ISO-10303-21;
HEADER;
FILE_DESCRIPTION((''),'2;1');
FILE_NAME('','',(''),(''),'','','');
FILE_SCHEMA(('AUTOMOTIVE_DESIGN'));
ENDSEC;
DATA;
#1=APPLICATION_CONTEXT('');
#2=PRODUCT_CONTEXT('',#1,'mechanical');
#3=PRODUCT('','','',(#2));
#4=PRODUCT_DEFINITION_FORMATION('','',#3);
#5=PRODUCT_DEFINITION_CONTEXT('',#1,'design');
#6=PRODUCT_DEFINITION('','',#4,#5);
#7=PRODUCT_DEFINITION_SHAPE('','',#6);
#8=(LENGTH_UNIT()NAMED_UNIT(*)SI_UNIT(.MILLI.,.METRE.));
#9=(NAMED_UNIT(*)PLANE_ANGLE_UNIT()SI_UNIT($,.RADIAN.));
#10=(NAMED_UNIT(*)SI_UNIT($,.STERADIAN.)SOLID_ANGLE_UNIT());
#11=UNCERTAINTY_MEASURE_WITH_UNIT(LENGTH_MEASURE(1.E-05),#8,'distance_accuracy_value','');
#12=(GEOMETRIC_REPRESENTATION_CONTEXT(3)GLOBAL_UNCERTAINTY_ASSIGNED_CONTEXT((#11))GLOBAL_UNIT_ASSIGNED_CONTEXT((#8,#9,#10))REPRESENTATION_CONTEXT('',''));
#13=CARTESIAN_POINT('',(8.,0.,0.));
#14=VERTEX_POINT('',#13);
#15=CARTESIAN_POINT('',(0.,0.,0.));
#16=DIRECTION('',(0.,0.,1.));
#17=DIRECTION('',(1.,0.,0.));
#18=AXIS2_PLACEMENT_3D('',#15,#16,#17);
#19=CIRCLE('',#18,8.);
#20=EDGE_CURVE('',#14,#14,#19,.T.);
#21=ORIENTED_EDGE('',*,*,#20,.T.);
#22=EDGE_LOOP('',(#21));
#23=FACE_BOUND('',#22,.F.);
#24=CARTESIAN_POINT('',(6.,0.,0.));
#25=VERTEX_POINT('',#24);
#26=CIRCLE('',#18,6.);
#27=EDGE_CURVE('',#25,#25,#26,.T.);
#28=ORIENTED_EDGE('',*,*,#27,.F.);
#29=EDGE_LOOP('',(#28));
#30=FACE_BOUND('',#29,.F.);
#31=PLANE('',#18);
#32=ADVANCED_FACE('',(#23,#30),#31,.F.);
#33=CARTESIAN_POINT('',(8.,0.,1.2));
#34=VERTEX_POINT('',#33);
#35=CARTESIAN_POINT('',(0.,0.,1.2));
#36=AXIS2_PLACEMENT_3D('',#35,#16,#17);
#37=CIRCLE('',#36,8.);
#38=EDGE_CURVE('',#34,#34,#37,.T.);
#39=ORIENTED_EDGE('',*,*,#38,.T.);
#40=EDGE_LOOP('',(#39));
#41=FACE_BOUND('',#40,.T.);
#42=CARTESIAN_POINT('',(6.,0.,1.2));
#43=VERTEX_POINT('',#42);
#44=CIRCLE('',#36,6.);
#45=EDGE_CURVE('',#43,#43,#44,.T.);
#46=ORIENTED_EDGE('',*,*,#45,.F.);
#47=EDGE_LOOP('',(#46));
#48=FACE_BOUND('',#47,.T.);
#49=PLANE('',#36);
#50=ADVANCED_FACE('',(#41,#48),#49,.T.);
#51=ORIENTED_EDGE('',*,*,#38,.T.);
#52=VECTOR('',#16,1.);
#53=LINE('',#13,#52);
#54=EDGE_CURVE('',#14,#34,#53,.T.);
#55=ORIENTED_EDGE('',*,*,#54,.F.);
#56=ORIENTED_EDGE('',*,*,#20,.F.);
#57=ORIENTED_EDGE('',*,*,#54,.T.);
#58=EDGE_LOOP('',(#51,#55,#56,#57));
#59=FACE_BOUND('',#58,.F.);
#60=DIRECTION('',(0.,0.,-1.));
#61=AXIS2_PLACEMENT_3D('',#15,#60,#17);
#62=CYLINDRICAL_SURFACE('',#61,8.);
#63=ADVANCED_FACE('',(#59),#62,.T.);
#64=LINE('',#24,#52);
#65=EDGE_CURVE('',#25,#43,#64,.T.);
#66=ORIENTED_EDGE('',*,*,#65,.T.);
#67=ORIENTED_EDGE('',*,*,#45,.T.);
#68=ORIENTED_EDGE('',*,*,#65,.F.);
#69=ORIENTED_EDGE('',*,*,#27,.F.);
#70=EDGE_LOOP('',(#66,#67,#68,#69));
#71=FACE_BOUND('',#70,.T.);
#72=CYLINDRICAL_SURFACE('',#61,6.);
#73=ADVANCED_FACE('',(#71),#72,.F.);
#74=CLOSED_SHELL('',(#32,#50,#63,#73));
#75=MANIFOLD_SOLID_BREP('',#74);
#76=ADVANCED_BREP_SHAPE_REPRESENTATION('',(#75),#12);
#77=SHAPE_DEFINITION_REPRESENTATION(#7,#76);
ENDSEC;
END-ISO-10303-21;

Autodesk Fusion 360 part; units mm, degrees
sketch "Sketch1" plane through (0, 0, 0) normal (0, 0, 1) x (1, 0, 0)
  circle A0 centre (0, 0) radius 8
  circle A1 centre (0, 0) radius 6
  dimension "d1" = 16
  dimension "d2" = 12
extrude "Extrude1" add sketch "Sketch1" along normal blind 1.2
